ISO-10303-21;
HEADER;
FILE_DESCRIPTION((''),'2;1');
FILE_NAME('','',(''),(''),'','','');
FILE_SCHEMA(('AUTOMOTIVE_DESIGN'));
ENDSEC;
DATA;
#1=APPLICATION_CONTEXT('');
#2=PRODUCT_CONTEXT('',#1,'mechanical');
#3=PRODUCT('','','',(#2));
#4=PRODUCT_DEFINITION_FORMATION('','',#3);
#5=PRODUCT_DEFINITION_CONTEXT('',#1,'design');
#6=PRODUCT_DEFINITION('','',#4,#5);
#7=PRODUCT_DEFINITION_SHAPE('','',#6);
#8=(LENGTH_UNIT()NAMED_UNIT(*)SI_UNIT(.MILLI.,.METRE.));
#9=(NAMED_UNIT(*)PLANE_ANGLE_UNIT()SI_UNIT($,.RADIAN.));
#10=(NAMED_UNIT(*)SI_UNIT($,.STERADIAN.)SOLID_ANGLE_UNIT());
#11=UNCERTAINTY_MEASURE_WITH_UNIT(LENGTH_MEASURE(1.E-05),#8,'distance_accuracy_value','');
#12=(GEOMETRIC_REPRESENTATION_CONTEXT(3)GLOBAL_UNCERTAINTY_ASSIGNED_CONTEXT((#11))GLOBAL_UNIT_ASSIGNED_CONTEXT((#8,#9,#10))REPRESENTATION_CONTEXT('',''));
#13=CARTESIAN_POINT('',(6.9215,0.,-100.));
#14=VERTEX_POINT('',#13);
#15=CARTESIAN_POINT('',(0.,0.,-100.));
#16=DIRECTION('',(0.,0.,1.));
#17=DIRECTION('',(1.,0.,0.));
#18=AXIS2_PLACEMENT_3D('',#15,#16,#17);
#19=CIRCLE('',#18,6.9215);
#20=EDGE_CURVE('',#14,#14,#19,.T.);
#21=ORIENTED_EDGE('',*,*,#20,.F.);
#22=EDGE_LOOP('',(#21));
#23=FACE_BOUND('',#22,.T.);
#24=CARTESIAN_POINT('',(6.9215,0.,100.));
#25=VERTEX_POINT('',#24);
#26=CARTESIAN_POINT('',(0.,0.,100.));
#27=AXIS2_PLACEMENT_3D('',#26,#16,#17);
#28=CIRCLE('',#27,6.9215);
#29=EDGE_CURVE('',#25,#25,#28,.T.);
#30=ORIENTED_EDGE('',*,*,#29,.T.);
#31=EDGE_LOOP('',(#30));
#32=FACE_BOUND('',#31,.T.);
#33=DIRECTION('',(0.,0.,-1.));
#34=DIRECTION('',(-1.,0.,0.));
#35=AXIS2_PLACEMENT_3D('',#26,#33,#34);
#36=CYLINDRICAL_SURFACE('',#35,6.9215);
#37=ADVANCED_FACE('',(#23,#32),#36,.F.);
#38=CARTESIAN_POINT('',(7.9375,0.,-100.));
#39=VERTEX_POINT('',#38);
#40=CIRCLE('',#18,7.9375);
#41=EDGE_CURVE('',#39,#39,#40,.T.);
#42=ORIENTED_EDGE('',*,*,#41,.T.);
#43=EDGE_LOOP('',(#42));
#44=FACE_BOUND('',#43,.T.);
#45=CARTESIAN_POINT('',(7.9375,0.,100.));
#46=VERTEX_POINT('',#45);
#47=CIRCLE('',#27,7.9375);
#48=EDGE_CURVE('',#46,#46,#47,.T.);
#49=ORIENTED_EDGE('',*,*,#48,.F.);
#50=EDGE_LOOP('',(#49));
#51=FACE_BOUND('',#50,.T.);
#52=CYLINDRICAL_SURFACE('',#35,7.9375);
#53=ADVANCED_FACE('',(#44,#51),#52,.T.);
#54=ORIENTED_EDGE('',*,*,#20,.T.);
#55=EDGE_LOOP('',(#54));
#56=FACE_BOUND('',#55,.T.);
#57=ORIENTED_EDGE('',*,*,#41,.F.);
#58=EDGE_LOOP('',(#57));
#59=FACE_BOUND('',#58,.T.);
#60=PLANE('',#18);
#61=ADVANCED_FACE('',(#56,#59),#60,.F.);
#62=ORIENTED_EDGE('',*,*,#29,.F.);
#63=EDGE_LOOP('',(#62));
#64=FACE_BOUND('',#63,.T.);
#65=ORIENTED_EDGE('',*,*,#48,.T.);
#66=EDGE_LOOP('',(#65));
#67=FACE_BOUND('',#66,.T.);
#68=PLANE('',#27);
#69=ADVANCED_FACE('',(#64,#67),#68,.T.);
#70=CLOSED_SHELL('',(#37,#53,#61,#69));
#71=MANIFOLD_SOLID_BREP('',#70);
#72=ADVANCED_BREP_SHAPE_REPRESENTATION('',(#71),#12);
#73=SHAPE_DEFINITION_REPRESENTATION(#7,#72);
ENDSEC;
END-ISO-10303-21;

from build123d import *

# Parameters (mm, degrees)
SKETCH1_R           = 7.9375
SKETCH1_R_2         = 6.9215
BOSS_EXTRUDE1_DEPTH = 100


with BuildPart() as part:
    # Sketch1 → Boss-Extrude1 (new, symmetric)
    with BuildSketch(Plane.XY):
        Circle(SKETCH1_R)
        Circle(SKETCH1_R_2, mode=Mode.SUBTRACT)
    extrude(amount=BOSS_EXTRUDE1_DEPTH, both=True)


solid = part.part
